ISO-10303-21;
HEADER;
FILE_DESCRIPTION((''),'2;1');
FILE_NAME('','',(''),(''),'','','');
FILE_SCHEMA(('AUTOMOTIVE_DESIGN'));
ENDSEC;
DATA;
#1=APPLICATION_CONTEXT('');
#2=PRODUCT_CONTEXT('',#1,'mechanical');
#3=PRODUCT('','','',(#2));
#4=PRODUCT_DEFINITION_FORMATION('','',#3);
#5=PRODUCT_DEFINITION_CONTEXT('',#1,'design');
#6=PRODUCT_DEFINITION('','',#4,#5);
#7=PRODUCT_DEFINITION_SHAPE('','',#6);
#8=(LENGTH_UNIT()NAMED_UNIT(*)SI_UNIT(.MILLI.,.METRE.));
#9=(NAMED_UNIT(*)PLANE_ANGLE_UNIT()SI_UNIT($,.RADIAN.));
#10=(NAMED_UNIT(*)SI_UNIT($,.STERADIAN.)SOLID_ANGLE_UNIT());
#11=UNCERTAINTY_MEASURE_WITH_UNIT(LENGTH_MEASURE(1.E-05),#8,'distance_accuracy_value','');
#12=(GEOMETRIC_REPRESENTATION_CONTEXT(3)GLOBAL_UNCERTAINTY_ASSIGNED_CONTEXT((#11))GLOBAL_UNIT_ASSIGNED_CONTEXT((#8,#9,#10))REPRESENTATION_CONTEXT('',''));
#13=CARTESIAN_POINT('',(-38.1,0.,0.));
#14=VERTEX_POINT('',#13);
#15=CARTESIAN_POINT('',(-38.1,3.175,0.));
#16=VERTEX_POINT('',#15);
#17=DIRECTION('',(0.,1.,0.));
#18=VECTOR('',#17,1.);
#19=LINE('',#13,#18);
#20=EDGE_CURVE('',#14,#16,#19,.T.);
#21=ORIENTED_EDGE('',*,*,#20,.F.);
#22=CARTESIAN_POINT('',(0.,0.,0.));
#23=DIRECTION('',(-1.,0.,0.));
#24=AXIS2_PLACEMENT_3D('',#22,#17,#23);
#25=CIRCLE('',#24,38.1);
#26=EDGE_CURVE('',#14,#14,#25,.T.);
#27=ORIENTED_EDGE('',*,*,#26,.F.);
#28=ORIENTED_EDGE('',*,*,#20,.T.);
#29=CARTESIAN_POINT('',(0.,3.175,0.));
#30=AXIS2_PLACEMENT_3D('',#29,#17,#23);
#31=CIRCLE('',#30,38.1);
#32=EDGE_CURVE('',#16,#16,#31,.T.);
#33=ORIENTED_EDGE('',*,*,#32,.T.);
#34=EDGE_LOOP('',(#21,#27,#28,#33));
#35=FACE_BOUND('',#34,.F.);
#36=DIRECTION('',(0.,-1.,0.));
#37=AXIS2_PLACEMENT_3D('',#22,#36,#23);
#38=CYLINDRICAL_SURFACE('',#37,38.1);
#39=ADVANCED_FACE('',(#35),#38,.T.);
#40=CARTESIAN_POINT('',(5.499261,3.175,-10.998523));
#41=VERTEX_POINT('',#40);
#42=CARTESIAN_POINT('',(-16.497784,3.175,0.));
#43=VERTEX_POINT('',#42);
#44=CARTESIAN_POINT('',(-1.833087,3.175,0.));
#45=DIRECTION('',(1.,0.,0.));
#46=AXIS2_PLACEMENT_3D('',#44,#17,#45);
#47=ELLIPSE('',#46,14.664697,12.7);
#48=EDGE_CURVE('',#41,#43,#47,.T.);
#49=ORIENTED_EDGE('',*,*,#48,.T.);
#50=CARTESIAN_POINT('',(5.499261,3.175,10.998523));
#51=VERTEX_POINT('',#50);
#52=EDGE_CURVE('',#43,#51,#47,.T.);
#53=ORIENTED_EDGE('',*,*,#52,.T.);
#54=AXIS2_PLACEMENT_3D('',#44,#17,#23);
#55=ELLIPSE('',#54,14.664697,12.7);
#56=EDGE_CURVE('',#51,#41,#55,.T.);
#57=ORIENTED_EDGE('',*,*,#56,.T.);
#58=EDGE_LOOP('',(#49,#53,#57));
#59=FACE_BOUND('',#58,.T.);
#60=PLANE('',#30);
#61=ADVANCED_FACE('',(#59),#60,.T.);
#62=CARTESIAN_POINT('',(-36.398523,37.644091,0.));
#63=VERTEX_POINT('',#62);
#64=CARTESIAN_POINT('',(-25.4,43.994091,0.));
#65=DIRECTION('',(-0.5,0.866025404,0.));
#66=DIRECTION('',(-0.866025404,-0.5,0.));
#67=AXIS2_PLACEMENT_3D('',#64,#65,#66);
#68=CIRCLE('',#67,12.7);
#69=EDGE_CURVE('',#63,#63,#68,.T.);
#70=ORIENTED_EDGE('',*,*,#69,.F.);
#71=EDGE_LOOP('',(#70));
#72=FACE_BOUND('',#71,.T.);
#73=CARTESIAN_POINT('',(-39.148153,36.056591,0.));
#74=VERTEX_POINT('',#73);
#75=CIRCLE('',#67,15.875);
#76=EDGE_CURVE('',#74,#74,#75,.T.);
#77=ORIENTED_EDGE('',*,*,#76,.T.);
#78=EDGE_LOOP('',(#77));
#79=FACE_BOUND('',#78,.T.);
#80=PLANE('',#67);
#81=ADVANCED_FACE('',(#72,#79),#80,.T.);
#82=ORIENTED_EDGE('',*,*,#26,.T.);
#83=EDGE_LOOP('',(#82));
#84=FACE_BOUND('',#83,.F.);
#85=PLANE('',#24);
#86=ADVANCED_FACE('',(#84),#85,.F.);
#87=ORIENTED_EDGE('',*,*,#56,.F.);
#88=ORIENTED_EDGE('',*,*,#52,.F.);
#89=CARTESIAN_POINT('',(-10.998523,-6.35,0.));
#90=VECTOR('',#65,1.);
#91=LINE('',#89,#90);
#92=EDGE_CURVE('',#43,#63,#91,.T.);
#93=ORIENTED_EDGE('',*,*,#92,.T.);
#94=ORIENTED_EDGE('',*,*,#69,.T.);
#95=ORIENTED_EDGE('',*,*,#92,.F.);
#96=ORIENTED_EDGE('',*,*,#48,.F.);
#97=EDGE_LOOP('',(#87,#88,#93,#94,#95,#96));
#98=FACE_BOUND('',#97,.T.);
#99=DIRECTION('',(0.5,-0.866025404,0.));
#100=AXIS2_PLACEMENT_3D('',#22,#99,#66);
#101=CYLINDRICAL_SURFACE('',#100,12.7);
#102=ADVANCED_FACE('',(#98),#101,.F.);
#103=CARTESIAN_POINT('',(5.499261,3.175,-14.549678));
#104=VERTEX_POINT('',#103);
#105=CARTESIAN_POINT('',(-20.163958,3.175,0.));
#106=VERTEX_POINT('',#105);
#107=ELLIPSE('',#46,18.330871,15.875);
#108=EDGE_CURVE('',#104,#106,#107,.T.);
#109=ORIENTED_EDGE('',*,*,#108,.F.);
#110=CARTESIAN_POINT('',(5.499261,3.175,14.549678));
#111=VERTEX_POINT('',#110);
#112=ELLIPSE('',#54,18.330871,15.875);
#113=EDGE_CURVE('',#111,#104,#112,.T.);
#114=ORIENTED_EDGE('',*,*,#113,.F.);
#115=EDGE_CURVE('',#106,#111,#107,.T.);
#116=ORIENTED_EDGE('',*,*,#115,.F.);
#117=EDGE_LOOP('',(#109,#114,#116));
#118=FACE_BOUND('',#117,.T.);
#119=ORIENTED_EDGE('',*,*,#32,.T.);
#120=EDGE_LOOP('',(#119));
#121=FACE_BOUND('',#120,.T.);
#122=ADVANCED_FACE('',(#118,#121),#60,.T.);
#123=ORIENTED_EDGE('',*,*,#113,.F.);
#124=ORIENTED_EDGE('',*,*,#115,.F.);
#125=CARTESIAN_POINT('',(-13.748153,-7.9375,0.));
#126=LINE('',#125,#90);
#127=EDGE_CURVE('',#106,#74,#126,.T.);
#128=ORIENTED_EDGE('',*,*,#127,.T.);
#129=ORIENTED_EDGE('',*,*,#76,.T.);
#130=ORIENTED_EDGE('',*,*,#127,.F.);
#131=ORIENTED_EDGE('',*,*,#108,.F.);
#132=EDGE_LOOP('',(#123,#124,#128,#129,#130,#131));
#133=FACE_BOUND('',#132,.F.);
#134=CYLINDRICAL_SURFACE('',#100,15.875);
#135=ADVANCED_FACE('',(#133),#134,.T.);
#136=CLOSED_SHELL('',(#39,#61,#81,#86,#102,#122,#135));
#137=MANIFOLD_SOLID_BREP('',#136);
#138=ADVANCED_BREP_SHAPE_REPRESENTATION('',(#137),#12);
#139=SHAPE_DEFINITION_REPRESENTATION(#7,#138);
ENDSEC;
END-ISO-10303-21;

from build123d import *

# Parameters (mm, degrees)
F2_R          = 38.1
F3_DEPTH      = 3.175
F6_R          = 15.875
F6_R_2        = 12.7
F7_DEPTH      = 50.8
F7_DEPTH_BACK = 6.35
F9_DEPTH      = 25.4
F9_DEPTH_BACK = 25.4


with BuildPart() as f3:
    # F2 (on line) → F3 (new body)
    with BuildSketch(Plane(origin=(0, 0, 0), x_dir=(-1, 0, 0), z_dir=(0, 1, 0))):
        Circle(F2_R)
    extrude(amount=F3_DEPTH)

    # F6 (on line) → F7 (join, two sides)
    with BuildSketch(Plane(origin=(0, 0, 0), x_dir=(-0.8660254038, -0.5, 0), z_dir=(-0.5, 0.8660254038, 0))) as f7_sk:
        Circle(F6_R)
        Circle(F6_R_2, mode=Mode.SUBTRACT)
    extrude(amount=F7_DEPTH)
    extrude(f7_sk.sketch, amount=-F7_DEPTH_BACK)

    # F8 (on Right) → F9 (cut, two sides)
    with BuildSketch(Plane.YZ) as f9_sk:
        Polygon((0, -20.3028712422), (0, 23.2852003007), (-20.0170747743, 19.199454845), (-8.2928827169, -22.6273914554), align=None)
    extrude(amount=-F9_DEPTH, mode=Mode.SUBTRACT)
    extrude(f9_sk.sketch, amount=F9_DEPTH_BACK, mode=Mode.SUBTRACT)


solid = f3.part
